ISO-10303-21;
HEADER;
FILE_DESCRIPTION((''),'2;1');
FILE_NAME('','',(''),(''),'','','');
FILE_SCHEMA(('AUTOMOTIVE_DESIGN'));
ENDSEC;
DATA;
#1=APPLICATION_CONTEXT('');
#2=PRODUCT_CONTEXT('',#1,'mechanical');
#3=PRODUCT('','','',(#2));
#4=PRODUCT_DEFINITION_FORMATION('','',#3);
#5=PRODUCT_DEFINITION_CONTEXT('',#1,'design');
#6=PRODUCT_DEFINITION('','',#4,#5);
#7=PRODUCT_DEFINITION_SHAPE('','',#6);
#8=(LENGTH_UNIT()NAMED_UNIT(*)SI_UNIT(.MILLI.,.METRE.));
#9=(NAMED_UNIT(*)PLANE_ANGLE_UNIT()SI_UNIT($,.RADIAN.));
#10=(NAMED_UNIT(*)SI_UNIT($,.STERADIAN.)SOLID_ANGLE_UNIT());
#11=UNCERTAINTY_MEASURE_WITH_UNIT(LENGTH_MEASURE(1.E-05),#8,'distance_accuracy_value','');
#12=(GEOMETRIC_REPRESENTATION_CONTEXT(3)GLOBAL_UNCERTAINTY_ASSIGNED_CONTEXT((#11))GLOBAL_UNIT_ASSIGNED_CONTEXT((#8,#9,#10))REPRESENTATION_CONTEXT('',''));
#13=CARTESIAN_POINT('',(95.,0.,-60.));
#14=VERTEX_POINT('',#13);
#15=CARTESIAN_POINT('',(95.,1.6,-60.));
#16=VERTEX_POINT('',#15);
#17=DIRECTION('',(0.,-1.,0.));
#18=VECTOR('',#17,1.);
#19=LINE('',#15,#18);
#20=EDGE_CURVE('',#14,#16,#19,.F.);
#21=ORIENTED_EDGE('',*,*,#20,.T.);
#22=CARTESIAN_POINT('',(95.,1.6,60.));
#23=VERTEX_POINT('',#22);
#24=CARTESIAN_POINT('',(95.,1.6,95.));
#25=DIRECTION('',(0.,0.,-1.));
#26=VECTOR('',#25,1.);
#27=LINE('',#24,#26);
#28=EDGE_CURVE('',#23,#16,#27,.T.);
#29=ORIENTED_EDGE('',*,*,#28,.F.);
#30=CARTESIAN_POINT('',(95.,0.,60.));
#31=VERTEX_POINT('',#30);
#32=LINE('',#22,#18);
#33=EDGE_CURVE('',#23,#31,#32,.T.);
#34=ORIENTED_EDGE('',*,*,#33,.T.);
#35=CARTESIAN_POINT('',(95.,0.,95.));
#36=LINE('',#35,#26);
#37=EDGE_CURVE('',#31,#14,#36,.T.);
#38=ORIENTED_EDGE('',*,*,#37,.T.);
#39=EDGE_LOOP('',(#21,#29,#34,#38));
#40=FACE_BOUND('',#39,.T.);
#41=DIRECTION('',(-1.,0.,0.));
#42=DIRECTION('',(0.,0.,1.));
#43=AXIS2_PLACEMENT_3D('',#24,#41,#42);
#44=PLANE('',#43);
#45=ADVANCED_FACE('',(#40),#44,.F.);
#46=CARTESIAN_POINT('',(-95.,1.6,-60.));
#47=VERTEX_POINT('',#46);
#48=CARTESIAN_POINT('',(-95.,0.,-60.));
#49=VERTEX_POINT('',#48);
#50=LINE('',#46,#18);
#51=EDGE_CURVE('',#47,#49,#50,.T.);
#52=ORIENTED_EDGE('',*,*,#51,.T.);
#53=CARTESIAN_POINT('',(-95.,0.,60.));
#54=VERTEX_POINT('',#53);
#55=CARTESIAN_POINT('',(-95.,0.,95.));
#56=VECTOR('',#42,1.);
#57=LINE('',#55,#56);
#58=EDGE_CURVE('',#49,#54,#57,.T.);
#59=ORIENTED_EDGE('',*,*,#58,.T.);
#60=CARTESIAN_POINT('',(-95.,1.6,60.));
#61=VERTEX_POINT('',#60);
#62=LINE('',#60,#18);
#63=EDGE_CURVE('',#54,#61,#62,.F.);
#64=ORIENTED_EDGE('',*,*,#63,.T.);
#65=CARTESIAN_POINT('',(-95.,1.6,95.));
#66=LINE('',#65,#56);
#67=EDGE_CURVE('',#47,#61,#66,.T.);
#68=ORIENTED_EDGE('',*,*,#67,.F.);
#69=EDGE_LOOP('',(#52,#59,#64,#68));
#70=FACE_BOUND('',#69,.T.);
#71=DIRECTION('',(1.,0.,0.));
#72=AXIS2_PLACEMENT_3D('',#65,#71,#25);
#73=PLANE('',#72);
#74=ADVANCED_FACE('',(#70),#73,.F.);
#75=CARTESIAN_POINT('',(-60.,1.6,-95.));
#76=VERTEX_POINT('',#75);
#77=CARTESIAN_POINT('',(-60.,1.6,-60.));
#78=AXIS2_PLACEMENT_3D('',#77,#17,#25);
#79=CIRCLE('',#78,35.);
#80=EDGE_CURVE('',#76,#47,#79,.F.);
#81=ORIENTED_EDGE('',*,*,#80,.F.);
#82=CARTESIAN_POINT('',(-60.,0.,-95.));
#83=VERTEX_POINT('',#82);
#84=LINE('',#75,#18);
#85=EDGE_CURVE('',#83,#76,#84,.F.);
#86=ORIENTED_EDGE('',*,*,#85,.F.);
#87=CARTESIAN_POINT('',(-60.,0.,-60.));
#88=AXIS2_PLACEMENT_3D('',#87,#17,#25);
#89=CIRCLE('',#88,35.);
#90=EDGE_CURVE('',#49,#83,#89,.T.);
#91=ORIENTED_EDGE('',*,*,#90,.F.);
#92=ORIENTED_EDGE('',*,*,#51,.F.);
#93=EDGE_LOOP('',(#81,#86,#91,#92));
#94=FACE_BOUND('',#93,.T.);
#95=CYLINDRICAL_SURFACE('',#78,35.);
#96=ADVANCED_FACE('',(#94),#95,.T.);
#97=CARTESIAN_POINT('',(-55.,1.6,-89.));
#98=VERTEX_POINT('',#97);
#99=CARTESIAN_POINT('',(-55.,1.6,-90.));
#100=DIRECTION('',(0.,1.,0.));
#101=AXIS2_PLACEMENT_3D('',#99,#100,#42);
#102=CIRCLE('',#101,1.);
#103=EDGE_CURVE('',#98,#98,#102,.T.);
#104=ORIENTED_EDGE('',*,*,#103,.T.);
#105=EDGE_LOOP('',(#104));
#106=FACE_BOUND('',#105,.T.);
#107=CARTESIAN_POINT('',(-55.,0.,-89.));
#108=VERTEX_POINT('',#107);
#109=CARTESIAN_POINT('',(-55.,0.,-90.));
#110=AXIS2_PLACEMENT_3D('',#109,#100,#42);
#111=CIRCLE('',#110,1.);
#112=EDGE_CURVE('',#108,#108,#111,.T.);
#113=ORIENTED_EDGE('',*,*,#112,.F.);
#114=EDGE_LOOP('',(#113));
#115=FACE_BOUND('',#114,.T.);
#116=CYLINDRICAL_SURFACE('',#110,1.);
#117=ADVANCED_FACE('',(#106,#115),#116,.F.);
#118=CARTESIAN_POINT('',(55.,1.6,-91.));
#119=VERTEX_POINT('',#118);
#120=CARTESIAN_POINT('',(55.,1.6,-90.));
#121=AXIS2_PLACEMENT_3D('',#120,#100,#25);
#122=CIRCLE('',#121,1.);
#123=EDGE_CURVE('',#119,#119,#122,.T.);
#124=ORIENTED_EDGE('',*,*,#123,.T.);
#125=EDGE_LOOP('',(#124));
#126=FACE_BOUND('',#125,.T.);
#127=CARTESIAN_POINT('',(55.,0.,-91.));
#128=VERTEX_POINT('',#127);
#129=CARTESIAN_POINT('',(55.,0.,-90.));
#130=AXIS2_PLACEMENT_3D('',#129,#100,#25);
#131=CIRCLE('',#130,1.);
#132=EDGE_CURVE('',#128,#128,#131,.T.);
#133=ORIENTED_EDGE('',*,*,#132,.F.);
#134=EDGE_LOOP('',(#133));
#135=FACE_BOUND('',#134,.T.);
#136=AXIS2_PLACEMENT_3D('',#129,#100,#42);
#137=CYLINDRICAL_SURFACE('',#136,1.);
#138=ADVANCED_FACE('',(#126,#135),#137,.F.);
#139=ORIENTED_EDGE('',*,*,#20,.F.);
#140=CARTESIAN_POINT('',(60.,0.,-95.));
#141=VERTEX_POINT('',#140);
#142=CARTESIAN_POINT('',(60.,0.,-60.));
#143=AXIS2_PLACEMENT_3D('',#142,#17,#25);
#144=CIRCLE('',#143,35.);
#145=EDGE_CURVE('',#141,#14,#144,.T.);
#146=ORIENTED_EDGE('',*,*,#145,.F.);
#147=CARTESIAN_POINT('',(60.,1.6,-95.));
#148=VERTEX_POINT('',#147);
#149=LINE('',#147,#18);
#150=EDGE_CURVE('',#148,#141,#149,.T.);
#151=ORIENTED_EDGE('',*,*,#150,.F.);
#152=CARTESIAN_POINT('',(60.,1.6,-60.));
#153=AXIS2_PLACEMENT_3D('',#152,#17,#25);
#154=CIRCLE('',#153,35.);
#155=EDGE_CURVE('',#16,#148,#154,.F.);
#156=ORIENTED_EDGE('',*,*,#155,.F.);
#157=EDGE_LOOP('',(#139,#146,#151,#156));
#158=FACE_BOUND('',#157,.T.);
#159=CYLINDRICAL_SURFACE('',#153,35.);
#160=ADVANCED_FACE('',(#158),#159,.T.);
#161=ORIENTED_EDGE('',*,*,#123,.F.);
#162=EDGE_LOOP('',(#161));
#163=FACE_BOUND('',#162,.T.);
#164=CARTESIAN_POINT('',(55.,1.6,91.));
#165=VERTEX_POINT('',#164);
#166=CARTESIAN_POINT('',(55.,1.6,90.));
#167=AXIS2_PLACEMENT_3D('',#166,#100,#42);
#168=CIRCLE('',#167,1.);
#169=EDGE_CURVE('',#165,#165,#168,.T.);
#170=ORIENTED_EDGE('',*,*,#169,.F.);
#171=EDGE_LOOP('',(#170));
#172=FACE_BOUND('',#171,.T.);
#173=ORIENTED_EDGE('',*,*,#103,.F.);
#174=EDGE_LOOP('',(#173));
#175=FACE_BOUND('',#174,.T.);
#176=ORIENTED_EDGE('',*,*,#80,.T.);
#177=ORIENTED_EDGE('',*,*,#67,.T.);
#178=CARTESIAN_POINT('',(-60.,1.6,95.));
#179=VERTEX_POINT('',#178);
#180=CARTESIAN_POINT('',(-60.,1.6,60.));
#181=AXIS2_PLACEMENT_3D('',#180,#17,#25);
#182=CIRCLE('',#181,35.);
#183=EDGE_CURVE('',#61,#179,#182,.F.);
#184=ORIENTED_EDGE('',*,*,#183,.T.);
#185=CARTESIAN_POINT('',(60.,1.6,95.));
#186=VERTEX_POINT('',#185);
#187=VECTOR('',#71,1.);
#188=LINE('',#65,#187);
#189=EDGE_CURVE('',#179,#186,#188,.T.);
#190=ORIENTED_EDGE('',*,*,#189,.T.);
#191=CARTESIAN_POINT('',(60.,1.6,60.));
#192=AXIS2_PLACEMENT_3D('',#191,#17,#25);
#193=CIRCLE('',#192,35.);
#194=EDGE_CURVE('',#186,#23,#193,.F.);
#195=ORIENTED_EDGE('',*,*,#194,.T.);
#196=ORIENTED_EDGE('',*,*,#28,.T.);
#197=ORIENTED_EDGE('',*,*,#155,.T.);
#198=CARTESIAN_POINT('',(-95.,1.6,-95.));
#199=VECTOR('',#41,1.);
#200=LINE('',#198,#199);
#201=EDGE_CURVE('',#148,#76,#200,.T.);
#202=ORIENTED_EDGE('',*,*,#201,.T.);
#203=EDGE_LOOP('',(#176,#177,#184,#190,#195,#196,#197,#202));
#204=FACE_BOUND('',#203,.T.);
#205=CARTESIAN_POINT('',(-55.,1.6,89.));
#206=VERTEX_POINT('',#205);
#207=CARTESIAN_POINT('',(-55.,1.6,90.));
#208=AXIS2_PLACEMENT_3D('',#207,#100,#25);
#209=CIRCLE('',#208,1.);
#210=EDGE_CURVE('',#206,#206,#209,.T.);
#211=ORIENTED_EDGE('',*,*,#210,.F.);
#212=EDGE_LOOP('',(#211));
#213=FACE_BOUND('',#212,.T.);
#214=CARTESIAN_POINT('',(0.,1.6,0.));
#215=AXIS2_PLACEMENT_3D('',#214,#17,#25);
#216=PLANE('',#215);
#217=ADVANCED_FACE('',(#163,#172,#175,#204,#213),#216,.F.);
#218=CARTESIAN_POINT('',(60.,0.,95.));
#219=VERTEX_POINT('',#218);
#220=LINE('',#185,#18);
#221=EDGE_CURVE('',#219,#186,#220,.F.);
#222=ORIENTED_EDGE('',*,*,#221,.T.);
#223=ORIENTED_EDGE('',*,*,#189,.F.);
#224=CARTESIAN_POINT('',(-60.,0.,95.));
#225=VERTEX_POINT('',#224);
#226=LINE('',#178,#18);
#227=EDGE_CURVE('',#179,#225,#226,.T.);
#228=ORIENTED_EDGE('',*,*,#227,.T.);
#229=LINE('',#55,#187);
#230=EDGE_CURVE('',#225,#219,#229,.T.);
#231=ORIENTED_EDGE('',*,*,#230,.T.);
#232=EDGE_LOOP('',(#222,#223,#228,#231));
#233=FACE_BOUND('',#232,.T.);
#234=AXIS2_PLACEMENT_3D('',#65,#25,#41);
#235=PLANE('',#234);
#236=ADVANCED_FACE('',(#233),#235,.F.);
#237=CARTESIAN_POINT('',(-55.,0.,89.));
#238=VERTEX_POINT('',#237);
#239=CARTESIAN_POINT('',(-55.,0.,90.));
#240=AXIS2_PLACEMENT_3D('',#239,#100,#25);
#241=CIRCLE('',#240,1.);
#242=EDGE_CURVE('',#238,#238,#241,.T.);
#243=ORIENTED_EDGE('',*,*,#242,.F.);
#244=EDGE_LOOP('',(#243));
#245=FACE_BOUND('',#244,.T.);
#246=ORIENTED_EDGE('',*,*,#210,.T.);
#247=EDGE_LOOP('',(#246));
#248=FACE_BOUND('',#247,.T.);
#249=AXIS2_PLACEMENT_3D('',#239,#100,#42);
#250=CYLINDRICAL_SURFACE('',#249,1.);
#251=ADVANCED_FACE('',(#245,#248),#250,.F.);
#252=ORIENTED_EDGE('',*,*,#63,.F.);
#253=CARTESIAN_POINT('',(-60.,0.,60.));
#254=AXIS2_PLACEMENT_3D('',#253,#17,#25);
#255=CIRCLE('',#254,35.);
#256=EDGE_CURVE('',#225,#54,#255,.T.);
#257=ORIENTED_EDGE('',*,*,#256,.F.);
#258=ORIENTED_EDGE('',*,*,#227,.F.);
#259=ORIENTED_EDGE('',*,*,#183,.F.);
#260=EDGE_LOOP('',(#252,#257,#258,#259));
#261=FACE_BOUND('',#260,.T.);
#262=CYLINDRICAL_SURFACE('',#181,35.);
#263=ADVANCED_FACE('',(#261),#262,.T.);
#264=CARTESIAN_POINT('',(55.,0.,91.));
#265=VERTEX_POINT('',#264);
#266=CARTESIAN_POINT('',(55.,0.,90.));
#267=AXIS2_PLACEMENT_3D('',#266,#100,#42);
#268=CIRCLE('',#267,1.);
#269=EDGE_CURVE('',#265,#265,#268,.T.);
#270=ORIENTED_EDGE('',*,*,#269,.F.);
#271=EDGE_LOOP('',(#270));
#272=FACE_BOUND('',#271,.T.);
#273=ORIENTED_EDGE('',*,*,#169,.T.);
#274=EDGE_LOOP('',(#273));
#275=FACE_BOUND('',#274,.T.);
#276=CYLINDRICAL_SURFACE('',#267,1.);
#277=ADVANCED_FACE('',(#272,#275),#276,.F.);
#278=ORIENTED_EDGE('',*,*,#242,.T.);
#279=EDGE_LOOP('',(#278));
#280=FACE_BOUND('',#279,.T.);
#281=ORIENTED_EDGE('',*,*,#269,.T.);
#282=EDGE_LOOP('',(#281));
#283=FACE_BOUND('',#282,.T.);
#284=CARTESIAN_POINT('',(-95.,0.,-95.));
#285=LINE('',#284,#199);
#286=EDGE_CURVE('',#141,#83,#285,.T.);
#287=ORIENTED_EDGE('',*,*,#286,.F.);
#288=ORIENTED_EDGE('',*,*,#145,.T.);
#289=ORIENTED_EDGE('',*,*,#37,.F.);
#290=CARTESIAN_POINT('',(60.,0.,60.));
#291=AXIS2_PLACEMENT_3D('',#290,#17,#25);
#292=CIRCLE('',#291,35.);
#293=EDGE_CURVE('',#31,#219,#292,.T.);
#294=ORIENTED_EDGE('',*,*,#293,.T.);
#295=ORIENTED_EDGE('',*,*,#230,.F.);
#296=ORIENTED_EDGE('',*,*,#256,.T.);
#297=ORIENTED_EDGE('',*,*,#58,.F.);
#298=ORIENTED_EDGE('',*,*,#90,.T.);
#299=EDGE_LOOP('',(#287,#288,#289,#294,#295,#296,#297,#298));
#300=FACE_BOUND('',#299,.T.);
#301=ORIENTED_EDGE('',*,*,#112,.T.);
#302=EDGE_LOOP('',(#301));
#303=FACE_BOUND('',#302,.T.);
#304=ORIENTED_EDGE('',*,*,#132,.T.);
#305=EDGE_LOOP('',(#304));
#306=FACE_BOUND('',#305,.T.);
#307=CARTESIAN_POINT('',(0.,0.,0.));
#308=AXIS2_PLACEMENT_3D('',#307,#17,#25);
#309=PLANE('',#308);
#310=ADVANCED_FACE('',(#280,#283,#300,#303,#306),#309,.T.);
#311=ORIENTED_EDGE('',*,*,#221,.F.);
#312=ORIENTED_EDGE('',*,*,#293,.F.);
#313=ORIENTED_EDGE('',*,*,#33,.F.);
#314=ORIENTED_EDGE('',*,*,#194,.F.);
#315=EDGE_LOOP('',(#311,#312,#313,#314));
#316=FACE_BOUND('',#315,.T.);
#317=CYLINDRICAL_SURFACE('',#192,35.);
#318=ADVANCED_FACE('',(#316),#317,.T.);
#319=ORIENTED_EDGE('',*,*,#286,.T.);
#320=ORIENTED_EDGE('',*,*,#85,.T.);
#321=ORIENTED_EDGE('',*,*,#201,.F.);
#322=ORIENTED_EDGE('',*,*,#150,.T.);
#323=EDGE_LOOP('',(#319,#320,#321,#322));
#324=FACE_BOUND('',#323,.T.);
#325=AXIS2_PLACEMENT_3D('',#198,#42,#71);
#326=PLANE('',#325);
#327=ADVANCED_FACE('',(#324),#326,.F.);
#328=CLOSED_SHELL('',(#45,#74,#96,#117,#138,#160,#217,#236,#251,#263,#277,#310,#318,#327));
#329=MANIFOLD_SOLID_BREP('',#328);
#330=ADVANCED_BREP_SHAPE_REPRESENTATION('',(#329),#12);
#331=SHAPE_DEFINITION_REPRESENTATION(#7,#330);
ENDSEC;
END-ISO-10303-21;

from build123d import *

# Parameters (mm, degrees)
ESBO_O1_W                = 190
ESBO_O1_H                = 190
RESSALTO_EXTRUS_O1_DEPTH = 1.6
FILETE1_R                = 35
ESBO_O2_R                = 1
CORTE_EXTRUS_O1_DEPTH    = 135.359815421


with BuildPart() as part:
    # Esboço1 → Ressalto-extrusão1 (new body)
    with BuildSketch(Plane(origin=(0, 0, 0), x_dir=(1, 0, 0), z_dir=(0, 1, 0))):
        Rectangle(ESBO_O1_W, ESBO_O1_H)
    extrude(amount=RESSALTO_EXTRUS_O1_DEPTH)

    # Filete1
    filete1_edges = [part.edges().sort_by_distance(p)[0] for p in [
        (95, 0.8, 95),
        (-95, 0.8, 95),
        (-95, 0.8, -95),
        (95, 0.8, -95),
    ]]
    fillet(filete1_edges, radius=FILETE1_R)

    # Esboço2 → Corte-extrusão1 (cut, through all)
    with BuildSketch(Plane(origin=(0, 1.6, 0), x_dir=(1, 0, 0), z_dir=(0, 1, 0))):
        with Locations(Location((-55, 90, 0), (0, 0, 270))):
            Circle(ESBO_O2_R)
        with Locations(Location((55, 90, 0), (0, 0, 90))):
            Circle(ESBO_O2_R)
        with Locations(Location((55, -90, 0), (0, 0, 270))):
            Circle(ESBO_O2_R)
        with Locations(Location((-55, -90, 0), (0, 0, 90))):
            Circle(ESBO_O2_R)
    extrude(amount=-CORTE_EXTRUS_O1_DEPTH, mode=Mode.SUBTRACT)


solid = part.part
